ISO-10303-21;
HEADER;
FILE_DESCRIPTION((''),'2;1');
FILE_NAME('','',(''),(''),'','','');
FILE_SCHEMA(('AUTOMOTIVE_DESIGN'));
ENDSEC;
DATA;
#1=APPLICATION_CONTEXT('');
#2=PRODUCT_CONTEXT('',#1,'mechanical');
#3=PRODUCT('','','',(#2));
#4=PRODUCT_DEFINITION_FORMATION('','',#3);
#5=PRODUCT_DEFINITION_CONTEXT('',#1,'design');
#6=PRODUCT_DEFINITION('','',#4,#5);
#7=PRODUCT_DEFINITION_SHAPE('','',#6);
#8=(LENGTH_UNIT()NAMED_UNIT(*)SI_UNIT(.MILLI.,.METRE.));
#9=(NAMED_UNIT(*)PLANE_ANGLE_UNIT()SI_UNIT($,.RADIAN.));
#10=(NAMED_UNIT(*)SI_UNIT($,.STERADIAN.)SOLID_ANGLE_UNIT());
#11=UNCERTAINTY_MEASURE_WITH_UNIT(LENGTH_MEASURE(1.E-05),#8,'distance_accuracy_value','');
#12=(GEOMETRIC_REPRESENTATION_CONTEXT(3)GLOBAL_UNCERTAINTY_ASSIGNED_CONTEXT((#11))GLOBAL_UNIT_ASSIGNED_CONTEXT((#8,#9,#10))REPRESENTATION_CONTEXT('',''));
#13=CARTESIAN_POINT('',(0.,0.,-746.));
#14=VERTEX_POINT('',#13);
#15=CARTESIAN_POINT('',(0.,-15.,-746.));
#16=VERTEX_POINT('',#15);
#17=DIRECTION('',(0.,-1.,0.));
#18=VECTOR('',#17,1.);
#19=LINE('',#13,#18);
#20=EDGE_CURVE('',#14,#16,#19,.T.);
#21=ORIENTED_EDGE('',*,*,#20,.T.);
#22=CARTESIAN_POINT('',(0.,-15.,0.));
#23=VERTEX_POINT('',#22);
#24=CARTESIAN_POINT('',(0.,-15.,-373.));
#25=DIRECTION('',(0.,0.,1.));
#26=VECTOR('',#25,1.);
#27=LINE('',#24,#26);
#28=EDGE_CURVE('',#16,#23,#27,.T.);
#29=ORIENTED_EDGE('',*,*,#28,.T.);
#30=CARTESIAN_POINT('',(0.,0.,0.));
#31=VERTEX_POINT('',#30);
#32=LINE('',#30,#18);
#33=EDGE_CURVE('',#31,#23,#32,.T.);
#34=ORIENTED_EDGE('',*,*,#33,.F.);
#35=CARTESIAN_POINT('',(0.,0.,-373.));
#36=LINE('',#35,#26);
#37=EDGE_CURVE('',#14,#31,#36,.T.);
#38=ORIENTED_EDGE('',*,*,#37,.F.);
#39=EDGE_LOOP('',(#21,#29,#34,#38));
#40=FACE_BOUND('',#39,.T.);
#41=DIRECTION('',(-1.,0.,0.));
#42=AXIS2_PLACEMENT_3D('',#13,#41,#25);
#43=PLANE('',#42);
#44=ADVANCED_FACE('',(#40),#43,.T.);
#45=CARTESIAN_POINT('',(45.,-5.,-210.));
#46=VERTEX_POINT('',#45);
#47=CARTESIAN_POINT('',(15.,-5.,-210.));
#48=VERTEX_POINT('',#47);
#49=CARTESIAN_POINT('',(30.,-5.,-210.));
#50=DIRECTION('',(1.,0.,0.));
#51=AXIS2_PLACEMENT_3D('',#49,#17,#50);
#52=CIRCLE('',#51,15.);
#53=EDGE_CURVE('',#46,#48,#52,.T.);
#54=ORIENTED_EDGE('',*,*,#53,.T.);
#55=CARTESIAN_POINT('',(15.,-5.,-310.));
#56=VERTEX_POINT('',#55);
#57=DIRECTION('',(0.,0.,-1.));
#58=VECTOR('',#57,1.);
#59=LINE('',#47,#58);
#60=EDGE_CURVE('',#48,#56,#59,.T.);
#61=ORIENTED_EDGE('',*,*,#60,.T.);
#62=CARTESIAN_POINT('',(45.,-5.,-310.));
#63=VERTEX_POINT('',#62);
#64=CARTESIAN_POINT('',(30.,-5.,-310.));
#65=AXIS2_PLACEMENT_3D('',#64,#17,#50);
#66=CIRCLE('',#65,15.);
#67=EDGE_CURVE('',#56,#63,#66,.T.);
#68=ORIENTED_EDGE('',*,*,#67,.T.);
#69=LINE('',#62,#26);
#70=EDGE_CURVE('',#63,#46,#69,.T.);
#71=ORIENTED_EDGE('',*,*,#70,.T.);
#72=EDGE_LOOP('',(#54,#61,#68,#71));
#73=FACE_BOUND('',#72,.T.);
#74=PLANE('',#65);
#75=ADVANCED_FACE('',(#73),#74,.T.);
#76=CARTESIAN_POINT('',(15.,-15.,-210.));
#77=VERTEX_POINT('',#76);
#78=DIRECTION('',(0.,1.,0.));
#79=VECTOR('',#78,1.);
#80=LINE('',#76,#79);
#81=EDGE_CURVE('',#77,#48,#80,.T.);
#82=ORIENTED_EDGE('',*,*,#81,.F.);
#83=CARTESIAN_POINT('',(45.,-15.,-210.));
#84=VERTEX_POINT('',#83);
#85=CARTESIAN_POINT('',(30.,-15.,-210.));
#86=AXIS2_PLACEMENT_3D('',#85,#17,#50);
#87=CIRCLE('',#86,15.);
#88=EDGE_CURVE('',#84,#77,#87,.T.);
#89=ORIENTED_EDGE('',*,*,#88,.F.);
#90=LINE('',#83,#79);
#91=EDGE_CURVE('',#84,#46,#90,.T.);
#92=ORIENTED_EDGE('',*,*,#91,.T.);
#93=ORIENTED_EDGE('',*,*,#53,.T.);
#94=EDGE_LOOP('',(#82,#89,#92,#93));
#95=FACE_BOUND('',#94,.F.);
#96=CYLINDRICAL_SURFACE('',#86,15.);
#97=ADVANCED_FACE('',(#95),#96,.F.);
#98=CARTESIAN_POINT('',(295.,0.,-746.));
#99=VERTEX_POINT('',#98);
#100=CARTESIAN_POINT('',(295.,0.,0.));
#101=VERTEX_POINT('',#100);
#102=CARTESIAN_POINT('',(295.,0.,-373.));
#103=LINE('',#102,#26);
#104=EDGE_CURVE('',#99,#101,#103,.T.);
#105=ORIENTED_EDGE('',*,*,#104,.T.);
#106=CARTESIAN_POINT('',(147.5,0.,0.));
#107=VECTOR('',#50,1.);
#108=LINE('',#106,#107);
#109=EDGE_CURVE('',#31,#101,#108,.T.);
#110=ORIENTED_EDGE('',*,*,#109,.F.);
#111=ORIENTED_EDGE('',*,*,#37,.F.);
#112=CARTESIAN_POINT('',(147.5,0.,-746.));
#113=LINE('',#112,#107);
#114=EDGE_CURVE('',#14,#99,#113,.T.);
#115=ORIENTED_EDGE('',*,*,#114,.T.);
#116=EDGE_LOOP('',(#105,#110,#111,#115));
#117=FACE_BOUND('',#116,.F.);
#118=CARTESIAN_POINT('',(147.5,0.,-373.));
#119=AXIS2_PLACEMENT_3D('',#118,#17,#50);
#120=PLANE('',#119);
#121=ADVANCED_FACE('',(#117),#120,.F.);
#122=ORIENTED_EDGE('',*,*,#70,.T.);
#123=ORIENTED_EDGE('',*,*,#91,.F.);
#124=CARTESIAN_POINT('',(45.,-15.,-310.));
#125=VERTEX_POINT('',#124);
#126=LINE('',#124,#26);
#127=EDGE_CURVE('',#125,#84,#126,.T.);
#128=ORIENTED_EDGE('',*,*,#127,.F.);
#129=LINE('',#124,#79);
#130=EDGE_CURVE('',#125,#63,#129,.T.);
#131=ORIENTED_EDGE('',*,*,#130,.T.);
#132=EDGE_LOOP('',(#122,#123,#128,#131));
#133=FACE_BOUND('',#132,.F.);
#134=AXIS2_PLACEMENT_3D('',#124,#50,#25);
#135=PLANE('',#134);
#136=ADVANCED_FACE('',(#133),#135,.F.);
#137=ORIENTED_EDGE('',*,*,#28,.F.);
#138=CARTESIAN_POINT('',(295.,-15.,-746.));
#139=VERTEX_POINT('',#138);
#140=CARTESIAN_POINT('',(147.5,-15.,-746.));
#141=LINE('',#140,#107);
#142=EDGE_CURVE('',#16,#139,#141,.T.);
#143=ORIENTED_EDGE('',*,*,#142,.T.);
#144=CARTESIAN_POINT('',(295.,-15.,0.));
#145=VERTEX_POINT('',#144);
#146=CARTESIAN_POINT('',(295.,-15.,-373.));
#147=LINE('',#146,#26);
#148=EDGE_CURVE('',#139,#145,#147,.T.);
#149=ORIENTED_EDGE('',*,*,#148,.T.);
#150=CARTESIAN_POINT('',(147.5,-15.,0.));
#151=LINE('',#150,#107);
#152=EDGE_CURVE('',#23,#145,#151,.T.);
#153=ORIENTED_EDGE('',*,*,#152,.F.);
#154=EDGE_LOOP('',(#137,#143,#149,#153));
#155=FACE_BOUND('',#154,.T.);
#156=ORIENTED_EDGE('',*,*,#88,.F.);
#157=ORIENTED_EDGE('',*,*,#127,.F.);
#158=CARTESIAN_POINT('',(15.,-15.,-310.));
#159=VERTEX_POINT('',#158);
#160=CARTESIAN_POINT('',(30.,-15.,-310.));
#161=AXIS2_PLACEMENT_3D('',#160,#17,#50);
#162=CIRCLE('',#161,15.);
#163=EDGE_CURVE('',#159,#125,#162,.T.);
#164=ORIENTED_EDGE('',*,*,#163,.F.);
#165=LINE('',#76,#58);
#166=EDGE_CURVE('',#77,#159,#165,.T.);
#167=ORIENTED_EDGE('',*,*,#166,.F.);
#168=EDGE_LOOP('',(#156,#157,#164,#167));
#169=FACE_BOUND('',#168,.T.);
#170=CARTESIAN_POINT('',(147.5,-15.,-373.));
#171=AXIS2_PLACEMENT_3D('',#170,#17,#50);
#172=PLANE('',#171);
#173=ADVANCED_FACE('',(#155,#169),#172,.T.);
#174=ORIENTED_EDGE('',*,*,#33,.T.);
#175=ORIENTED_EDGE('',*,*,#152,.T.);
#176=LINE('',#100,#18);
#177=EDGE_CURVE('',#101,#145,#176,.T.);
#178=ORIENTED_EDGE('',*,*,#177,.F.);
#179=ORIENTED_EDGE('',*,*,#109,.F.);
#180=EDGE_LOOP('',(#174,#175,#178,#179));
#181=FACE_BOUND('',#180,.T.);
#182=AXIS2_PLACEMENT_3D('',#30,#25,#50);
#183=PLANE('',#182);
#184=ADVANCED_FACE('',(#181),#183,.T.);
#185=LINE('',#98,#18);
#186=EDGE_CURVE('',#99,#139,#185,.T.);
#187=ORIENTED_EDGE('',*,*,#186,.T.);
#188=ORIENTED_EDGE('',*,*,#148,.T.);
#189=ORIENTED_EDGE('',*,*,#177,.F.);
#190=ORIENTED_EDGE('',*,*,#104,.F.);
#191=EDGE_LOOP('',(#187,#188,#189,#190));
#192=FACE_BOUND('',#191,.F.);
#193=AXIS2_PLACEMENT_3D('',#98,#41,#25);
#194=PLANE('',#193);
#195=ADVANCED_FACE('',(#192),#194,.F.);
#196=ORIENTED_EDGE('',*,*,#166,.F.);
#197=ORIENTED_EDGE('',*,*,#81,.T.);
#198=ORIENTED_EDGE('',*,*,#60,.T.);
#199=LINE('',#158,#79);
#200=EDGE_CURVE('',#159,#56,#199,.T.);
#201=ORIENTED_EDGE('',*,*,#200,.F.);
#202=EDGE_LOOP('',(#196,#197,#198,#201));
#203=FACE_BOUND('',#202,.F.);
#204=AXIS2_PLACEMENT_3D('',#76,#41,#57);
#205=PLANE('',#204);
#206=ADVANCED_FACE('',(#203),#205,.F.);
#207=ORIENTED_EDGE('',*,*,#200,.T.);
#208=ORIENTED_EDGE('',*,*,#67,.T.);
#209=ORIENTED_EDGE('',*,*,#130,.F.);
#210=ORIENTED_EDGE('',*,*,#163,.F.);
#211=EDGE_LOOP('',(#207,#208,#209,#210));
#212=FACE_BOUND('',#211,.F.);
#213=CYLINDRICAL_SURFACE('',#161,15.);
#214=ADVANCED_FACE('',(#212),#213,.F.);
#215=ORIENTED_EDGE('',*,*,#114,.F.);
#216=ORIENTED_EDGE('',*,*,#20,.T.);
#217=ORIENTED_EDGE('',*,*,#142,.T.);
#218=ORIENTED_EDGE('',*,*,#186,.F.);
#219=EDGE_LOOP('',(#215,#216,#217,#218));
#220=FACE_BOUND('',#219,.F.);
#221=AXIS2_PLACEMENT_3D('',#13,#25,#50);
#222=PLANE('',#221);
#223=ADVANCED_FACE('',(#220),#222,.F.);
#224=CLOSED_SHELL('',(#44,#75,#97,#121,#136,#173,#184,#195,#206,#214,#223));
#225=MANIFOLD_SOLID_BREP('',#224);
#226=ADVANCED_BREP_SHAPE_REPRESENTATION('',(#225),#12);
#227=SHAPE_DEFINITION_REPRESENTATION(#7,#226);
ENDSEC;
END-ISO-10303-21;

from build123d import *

# Parameters (mm, degrees)
F0_W     = 295
F0_H     = 746
F1_DEPTH = 15
F3_DEPTH = 10


with BuildPart() as f1:
    # F0 (on Front) → F1 (new body)
    with BuildSketch(Plane.XZ):
        with Locations((147.5, -373)):
            Rectangle(F0_W, F0_H)
    extrude(amount=F1_DEPTH)

    # F2 (on face) → F3 (cut)
    with BuildSketch(Plane.XZ.offset(15)):
        with BuildLine():
            ThreePointArc((15, -310), (30, -325), (45, -310))
            ThreePointArc((45, -310), (30, -295), (15, -310))
        make_face()
        with BuildLine():
            Line((45, -310), (45, -210))
            ThreePointArc((45, -210), (30, -225), (15, -210))
            Line((15, -210), (15, -310))
            ThreePointArc((15, -310), (30, -295), (45, -310))
        make_face()
        with BuildLine():
            ThreePointArc((15, -210), (30, -225), (45, -210))
            ThreePointArc((45, -210), (30, -195), (15, -210))
        make_face()
    extrude(amount=-F3_DEPTH, mode=Mode.SUBTRACT)


solid = f1.part
